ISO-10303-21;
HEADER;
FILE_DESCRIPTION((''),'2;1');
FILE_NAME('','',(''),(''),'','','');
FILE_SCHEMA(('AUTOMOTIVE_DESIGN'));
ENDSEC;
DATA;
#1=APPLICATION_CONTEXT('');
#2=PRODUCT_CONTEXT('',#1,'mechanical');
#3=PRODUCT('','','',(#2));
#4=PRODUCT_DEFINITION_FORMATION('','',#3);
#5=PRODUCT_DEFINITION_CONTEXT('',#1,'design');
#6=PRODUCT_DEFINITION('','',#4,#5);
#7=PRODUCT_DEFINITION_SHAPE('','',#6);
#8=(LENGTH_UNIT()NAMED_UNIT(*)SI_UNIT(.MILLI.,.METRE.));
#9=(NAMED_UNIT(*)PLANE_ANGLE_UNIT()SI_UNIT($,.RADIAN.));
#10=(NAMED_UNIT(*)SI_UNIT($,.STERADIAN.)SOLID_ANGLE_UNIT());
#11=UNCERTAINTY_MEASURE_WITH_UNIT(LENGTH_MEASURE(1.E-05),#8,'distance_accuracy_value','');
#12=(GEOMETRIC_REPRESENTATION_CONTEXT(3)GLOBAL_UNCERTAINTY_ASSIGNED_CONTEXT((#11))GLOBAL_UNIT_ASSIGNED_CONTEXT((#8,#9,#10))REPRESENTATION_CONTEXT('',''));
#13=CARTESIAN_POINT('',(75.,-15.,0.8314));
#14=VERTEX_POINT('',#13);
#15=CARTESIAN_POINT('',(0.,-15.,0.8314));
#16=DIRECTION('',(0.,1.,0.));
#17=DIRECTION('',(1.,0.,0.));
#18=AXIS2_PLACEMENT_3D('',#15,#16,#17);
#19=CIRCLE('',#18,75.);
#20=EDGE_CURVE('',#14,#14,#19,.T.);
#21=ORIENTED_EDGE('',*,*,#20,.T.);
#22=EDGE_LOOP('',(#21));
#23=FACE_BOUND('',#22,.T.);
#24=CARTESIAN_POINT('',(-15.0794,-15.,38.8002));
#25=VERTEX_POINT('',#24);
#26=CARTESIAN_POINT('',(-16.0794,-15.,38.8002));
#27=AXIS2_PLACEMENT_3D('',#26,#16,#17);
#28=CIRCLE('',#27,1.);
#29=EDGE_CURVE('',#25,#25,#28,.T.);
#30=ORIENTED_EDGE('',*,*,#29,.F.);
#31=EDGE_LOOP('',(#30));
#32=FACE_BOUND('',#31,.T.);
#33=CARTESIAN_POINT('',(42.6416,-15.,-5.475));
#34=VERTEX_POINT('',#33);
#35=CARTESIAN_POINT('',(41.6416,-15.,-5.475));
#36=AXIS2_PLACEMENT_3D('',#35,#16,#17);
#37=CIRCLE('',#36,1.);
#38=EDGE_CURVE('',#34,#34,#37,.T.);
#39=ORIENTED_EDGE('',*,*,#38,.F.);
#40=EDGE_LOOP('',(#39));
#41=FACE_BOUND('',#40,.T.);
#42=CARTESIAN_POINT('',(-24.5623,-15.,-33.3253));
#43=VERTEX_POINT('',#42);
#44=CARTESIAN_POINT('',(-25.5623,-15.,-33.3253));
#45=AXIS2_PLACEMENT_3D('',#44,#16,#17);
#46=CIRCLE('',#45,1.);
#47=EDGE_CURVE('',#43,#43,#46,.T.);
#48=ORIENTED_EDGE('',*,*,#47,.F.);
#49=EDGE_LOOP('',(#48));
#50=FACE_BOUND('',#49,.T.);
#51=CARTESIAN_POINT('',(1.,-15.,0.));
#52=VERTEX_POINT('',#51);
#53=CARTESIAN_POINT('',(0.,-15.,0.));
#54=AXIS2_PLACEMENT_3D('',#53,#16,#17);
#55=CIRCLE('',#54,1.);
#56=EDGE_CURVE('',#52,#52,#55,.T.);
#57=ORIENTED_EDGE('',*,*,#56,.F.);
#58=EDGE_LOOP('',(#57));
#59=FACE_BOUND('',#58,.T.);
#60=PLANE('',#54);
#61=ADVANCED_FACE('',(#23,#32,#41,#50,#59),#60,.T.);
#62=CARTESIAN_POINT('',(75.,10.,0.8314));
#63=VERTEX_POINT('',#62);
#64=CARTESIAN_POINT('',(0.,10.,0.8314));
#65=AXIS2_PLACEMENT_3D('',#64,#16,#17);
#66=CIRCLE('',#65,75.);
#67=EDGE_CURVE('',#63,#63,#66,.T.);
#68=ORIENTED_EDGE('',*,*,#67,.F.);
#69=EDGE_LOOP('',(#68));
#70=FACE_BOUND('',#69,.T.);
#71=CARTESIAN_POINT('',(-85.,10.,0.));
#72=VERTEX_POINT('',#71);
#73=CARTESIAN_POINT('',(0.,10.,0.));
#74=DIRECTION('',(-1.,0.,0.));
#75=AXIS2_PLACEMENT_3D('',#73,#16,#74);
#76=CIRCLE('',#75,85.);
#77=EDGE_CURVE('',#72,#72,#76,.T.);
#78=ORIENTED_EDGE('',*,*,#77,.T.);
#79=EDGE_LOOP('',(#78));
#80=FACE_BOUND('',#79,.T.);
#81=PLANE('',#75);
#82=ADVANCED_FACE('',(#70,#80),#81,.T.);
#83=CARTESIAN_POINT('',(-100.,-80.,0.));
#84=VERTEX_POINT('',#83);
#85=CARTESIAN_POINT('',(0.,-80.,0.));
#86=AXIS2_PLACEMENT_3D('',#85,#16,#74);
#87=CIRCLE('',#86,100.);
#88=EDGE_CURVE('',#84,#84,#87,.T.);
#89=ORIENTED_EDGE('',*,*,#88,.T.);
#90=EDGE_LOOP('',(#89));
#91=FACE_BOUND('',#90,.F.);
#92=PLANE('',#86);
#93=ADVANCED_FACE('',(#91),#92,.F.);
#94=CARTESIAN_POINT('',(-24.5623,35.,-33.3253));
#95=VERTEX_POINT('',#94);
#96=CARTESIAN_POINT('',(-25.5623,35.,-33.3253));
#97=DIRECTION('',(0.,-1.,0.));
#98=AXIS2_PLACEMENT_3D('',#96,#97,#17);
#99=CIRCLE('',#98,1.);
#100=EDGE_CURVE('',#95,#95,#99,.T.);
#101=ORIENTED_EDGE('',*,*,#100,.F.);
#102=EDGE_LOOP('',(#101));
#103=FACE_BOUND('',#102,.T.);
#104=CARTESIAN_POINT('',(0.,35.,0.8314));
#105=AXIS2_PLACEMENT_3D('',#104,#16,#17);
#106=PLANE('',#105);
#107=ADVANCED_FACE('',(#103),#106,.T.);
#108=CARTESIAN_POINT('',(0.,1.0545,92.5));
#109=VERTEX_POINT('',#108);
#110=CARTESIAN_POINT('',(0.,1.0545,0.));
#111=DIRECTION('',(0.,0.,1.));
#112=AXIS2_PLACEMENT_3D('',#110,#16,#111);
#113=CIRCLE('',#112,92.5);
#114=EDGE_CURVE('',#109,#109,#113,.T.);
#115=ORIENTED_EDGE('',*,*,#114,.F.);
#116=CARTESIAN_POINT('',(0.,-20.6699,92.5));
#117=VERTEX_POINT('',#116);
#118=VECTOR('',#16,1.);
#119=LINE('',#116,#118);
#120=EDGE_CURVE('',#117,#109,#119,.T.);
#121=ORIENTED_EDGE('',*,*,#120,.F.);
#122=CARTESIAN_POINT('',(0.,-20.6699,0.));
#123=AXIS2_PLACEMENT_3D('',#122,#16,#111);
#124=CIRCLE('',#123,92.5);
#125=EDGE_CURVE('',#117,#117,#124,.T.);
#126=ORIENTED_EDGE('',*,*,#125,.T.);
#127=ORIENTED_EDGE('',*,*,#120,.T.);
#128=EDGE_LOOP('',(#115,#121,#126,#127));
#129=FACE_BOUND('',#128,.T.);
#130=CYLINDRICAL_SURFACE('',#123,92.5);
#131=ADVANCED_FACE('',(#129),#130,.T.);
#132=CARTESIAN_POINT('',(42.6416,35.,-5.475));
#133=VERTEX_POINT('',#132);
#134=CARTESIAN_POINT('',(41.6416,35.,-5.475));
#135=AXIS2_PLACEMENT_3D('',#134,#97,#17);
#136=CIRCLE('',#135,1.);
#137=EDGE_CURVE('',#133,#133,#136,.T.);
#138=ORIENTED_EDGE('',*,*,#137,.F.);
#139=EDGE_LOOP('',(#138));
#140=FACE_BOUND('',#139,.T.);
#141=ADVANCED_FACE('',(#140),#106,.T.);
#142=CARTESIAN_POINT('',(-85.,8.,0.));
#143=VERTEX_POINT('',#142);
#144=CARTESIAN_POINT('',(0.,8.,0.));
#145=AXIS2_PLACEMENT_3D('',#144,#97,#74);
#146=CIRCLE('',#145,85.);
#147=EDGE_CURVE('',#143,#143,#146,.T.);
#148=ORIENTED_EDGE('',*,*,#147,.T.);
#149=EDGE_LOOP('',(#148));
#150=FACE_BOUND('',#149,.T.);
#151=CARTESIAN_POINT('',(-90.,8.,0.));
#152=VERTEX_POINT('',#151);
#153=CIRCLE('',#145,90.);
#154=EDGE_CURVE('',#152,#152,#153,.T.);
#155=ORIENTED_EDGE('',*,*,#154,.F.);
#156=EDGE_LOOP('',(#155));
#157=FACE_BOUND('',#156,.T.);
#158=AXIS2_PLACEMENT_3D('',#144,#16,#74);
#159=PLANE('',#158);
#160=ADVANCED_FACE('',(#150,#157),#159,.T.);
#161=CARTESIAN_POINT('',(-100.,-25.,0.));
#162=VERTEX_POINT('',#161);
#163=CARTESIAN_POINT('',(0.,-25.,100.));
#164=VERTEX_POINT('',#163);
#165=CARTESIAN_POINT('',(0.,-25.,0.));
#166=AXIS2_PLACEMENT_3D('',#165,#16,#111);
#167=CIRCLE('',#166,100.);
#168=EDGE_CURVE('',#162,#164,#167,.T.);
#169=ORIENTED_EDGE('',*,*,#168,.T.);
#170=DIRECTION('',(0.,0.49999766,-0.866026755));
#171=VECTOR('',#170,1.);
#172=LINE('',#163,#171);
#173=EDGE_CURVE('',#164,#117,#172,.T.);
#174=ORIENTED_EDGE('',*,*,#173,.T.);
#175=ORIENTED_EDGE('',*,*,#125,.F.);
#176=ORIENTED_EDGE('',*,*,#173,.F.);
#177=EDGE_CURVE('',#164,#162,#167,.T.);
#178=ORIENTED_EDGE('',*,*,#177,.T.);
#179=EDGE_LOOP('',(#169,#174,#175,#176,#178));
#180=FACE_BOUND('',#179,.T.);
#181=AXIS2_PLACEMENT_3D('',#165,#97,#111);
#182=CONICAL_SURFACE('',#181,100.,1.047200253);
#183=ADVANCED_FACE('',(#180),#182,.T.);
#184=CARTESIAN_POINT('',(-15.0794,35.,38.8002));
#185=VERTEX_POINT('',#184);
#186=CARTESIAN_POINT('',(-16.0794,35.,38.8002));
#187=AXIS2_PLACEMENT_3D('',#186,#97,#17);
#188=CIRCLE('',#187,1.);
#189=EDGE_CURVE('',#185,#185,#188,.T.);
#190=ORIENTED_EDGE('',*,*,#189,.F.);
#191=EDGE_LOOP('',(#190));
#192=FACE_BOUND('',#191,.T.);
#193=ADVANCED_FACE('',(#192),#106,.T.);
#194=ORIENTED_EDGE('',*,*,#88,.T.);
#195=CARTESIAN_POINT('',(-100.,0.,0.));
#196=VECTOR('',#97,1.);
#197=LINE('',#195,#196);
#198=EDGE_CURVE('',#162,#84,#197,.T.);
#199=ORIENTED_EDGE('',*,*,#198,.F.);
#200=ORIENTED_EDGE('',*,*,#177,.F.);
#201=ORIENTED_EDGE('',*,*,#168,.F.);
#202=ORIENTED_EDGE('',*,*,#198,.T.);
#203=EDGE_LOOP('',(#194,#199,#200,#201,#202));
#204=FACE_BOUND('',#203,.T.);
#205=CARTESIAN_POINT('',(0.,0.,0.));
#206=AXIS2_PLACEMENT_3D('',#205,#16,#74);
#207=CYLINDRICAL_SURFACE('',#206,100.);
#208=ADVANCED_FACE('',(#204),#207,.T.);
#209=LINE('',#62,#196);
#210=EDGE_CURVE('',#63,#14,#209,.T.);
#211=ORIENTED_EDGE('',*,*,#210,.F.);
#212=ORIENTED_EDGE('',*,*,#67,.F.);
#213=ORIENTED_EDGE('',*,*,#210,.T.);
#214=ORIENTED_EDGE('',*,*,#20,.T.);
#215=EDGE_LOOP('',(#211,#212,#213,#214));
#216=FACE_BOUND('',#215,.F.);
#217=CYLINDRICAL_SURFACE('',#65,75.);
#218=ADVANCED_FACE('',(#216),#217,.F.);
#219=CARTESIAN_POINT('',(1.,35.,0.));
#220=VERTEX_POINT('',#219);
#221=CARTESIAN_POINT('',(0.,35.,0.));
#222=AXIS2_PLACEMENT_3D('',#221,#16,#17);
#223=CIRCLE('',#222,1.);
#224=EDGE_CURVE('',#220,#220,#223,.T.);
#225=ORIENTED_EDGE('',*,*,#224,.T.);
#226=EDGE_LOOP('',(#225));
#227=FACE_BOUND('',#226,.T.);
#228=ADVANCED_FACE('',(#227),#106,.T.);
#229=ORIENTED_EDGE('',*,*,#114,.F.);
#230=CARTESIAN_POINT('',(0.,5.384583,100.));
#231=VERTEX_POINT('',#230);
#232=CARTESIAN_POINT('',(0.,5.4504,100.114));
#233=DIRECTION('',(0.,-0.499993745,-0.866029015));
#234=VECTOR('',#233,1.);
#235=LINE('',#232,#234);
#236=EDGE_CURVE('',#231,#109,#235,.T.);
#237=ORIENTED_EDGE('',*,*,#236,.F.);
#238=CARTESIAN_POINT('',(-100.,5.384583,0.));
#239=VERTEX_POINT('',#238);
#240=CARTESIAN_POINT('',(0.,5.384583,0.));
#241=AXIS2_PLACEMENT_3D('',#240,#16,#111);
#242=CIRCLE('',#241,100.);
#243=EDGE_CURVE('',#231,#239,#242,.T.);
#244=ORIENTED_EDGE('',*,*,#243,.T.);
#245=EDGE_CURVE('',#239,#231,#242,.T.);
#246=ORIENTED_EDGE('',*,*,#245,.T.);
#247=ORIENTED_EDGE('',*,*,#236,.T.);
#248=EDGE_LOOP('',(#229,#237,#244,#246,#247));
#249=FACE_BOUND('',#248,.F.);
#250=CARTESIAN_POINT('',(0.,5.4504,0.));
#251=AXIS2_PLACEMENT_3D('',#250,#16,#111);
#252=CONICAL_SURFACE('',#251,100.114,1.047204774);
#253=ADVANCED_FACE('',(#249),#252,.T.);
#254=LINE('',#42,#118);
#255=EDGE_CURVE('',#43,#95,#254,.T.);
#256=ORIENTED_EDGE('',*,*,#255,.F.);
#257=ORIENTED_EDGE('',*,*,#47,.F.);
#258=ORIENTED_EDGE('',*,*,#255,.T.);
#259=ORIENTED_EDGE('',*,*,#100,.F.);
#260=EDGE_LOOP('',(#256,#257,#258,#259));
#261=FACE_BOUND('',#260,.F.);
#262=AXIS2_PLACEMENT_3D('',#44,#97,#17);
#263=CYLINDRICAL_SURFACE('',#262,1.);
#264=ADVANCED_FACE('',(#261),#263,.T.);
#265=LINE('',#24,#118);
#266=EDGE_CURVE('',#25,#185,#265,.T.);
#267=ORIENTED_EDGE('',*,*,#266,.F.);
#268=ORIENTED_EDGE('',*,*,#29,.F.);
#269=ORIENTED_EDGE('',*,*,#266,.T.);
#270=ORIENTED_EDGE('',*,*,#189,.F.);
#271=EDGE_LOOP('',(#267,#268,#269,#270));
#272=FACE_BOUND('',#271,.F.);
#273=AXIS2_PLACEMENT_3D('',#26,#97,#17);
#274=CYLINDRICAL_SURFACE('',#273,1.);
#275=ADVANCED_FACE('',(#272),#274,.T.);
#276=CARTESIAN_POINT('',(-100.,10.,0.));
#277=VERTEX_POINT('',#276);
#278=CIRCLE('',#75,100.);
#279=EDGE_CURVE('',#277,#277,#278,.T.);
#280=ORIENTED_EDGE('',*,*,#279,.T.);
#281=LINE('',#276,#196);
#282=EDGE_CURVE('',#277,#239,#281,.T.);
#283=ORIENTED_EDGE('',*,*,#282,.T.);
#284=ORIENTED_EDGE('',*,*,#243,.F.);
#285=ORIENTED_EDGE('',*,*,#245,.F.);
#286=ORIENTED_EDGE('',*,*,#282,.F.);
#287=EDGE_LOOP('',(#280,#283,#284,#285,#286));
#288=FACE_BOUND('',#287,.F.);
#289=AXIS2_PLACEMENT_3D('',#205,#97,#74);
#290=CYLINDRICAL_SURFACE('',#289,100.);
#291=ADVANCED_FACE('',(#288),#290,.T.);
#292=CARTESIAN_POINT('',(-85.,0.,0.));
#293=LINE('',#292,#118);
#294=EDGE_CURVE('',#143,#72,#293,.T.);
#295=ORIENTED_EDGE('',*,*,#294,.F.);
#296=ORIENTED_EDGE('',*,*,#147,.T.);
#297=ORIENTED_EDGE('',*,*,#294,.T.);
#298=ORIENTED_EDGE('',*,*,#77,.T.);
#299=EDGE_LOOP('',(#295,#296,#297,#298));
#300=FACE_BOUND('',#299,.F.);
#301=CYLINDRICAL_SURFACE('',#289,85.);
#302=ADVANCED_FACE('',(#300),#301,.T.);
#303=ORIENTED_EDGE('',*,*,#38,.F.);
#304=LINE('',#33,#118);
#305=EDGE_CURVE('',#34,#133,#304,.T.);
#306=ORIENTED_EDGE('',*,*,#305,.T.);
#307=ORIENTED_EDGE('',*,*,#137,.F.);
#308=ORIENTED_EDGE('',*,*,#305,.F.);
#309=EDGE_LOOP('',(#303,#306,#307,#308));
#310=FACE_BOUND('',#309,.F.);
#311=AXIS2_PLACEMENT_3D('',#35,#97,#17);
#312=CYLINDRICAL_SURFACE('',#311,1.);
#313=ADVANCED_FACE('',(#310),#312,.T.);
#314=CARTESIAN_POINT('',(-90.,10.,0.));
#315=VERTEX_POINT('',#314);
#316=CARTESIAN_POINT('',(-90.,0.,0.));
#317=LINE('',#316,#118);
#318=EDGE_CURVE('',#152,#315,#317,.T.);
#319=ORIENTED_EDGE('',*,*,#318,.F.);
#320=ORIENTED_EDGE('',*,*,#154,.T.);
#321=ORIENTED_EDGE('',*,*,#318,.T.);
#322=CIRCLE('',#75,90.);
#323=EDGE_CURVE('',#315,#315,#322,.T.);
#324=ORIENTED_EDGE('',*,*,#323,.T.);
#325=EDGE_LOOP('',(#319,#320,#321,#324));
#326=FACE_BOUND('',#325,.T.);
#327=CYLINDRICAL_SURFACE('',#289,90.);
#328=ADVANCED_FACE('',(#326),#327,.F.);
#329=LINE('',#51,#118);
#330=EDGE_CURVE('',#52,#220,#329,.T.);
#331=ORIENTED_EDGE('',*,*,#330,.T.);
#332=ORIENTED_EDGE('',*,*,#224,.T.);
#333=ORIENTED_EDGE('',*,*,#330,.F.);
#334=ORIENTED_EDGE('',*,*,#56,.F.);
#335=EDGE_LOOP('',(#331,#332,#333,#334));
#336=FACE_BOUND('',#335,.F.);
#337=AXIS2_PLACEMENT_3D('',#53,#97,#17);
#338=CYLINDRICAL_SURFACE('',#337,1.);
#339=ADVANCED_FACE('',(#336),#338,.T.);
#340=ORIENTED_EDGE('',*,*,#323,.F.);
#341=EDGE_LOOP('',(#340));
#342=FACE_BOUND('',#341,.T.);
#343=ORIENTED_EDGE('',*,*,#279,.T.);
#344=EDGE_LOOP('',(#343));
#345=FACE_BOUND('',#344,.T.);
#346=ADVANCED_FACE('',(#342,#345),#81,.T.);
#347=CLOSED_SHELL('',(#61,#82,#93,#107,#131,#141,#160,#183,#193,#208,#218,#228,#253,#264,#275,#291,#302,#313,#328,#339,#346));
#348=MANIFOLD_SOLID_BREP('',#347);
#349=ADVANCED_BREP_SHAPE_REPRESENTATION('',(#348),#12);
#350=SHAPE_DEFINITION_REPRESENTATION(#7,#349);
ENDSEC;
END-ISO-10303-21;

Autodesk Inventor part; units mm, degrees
ref_plane "YZ Plane" through (0, 0, 0) normal (1, 0, 0) x (0, 1, 0)
ref_plane "XZ Plane" through (0, 0, 0) normal (0, 1, 0) x (-1, 0, 0)
ref_plane "XY Plane" through (0, 0, 0) normal (0, 0, 1) x (1, 0, 0)
sketch "Sketch1" plane through (0, 0, 0) normal (0, 1, 0) x (-1, 0, 0)
  circle A0 centre (0, 0) radius 100
  circle A1 centre (0, 0) radius 90
  circle A2 centre (0, 0) radius 85
  dimension "d0" = 200
  dimension "d1" = 180
  dimension "d2" = 170
extrude "Extrusion1" add sketch "Sketch1" along normal blind 8 contours A0 | A1 | A2
extrude "Extrusion2" add sketch "Sketch1" along normal blind 10
extrude "Extrusion3" add sketch "Sketch1" against normal blind 80 contours A0 | A1 | A2
sketch "Sketch2" plane through (0, 10, 0) normal (0, 1, 0) x (1, 0, 0)
  circle A0 centre (0, -0.8314) radius 75
  point P0 (0, 0)
  dimension "d9" = 150
extrude "Extrusion4" cut sketch "Sketch2" against normal blind 25
sketch "Sketch3" plane through (0, 0, 0) normal (1, 0, 0) x (0, 1, 0)
  line L0 (5.4504, 100.114) -> (0.3612, 91.2991)
  line L1 (5.4504, 100.114) -> (15.629, 100.114) construction
  line L2 (-80, 100) -> (10, 100) projected
  line L3 (-25, 100) -> (-20.6699, 92.5)
  line L4 (-25, 100) -> (-16.3397, 100) construction
  line L5 (-20.6699, 92.5) -> (1.0545, 92.5)
  line L6 (5.4504, 100.114) -> (-20.6699, 100)
  line L7 (-33.1258, 0) -> (23.7548, 0) projected
  line L8 (1.0545, 92.5) -> (-70.8596, 92.5)
  line L9 (-70.8596, 92.5) -> (-80, 100)
  point P0 (0, 0)
  point P1 (5.3846, 100)
  dimension "d12" = 120
  dimension "d13" = 60
revolve "Revolution1" cut sketch "Sketch3" angle 360 about axis through (0, -10, 0) along (0, 1, 0) contours L0 L5 L3 L2
sketch "Sketch6" plane through (0, -15, 0.8314) normal (0, 1, 0) x (1, 0, 0)
  circle A0 centre (0, 0.8314) radius 42
  circle A1 centre (-25.5623, 34.1567) radius 1
  circle A2 centre (-16.0794, -37.9688) radius 1
  circle A3 centre (41.6416, 6.3064) radius 1
  circle A4 centre (0, 0.8314) radius 1
  dimension "d32" = 84
  dimension "d33" = 2
  dimension "d36" = 360
  dimension "d40" = 2
extrude "Extrusion7" add sketch "Sketch6" along normal blind 50 contours A3 A0 | A0 A3 | A2 A0 | A0 A2 | A1 A0 | A0 A1 | A4
properties part number "Base"
